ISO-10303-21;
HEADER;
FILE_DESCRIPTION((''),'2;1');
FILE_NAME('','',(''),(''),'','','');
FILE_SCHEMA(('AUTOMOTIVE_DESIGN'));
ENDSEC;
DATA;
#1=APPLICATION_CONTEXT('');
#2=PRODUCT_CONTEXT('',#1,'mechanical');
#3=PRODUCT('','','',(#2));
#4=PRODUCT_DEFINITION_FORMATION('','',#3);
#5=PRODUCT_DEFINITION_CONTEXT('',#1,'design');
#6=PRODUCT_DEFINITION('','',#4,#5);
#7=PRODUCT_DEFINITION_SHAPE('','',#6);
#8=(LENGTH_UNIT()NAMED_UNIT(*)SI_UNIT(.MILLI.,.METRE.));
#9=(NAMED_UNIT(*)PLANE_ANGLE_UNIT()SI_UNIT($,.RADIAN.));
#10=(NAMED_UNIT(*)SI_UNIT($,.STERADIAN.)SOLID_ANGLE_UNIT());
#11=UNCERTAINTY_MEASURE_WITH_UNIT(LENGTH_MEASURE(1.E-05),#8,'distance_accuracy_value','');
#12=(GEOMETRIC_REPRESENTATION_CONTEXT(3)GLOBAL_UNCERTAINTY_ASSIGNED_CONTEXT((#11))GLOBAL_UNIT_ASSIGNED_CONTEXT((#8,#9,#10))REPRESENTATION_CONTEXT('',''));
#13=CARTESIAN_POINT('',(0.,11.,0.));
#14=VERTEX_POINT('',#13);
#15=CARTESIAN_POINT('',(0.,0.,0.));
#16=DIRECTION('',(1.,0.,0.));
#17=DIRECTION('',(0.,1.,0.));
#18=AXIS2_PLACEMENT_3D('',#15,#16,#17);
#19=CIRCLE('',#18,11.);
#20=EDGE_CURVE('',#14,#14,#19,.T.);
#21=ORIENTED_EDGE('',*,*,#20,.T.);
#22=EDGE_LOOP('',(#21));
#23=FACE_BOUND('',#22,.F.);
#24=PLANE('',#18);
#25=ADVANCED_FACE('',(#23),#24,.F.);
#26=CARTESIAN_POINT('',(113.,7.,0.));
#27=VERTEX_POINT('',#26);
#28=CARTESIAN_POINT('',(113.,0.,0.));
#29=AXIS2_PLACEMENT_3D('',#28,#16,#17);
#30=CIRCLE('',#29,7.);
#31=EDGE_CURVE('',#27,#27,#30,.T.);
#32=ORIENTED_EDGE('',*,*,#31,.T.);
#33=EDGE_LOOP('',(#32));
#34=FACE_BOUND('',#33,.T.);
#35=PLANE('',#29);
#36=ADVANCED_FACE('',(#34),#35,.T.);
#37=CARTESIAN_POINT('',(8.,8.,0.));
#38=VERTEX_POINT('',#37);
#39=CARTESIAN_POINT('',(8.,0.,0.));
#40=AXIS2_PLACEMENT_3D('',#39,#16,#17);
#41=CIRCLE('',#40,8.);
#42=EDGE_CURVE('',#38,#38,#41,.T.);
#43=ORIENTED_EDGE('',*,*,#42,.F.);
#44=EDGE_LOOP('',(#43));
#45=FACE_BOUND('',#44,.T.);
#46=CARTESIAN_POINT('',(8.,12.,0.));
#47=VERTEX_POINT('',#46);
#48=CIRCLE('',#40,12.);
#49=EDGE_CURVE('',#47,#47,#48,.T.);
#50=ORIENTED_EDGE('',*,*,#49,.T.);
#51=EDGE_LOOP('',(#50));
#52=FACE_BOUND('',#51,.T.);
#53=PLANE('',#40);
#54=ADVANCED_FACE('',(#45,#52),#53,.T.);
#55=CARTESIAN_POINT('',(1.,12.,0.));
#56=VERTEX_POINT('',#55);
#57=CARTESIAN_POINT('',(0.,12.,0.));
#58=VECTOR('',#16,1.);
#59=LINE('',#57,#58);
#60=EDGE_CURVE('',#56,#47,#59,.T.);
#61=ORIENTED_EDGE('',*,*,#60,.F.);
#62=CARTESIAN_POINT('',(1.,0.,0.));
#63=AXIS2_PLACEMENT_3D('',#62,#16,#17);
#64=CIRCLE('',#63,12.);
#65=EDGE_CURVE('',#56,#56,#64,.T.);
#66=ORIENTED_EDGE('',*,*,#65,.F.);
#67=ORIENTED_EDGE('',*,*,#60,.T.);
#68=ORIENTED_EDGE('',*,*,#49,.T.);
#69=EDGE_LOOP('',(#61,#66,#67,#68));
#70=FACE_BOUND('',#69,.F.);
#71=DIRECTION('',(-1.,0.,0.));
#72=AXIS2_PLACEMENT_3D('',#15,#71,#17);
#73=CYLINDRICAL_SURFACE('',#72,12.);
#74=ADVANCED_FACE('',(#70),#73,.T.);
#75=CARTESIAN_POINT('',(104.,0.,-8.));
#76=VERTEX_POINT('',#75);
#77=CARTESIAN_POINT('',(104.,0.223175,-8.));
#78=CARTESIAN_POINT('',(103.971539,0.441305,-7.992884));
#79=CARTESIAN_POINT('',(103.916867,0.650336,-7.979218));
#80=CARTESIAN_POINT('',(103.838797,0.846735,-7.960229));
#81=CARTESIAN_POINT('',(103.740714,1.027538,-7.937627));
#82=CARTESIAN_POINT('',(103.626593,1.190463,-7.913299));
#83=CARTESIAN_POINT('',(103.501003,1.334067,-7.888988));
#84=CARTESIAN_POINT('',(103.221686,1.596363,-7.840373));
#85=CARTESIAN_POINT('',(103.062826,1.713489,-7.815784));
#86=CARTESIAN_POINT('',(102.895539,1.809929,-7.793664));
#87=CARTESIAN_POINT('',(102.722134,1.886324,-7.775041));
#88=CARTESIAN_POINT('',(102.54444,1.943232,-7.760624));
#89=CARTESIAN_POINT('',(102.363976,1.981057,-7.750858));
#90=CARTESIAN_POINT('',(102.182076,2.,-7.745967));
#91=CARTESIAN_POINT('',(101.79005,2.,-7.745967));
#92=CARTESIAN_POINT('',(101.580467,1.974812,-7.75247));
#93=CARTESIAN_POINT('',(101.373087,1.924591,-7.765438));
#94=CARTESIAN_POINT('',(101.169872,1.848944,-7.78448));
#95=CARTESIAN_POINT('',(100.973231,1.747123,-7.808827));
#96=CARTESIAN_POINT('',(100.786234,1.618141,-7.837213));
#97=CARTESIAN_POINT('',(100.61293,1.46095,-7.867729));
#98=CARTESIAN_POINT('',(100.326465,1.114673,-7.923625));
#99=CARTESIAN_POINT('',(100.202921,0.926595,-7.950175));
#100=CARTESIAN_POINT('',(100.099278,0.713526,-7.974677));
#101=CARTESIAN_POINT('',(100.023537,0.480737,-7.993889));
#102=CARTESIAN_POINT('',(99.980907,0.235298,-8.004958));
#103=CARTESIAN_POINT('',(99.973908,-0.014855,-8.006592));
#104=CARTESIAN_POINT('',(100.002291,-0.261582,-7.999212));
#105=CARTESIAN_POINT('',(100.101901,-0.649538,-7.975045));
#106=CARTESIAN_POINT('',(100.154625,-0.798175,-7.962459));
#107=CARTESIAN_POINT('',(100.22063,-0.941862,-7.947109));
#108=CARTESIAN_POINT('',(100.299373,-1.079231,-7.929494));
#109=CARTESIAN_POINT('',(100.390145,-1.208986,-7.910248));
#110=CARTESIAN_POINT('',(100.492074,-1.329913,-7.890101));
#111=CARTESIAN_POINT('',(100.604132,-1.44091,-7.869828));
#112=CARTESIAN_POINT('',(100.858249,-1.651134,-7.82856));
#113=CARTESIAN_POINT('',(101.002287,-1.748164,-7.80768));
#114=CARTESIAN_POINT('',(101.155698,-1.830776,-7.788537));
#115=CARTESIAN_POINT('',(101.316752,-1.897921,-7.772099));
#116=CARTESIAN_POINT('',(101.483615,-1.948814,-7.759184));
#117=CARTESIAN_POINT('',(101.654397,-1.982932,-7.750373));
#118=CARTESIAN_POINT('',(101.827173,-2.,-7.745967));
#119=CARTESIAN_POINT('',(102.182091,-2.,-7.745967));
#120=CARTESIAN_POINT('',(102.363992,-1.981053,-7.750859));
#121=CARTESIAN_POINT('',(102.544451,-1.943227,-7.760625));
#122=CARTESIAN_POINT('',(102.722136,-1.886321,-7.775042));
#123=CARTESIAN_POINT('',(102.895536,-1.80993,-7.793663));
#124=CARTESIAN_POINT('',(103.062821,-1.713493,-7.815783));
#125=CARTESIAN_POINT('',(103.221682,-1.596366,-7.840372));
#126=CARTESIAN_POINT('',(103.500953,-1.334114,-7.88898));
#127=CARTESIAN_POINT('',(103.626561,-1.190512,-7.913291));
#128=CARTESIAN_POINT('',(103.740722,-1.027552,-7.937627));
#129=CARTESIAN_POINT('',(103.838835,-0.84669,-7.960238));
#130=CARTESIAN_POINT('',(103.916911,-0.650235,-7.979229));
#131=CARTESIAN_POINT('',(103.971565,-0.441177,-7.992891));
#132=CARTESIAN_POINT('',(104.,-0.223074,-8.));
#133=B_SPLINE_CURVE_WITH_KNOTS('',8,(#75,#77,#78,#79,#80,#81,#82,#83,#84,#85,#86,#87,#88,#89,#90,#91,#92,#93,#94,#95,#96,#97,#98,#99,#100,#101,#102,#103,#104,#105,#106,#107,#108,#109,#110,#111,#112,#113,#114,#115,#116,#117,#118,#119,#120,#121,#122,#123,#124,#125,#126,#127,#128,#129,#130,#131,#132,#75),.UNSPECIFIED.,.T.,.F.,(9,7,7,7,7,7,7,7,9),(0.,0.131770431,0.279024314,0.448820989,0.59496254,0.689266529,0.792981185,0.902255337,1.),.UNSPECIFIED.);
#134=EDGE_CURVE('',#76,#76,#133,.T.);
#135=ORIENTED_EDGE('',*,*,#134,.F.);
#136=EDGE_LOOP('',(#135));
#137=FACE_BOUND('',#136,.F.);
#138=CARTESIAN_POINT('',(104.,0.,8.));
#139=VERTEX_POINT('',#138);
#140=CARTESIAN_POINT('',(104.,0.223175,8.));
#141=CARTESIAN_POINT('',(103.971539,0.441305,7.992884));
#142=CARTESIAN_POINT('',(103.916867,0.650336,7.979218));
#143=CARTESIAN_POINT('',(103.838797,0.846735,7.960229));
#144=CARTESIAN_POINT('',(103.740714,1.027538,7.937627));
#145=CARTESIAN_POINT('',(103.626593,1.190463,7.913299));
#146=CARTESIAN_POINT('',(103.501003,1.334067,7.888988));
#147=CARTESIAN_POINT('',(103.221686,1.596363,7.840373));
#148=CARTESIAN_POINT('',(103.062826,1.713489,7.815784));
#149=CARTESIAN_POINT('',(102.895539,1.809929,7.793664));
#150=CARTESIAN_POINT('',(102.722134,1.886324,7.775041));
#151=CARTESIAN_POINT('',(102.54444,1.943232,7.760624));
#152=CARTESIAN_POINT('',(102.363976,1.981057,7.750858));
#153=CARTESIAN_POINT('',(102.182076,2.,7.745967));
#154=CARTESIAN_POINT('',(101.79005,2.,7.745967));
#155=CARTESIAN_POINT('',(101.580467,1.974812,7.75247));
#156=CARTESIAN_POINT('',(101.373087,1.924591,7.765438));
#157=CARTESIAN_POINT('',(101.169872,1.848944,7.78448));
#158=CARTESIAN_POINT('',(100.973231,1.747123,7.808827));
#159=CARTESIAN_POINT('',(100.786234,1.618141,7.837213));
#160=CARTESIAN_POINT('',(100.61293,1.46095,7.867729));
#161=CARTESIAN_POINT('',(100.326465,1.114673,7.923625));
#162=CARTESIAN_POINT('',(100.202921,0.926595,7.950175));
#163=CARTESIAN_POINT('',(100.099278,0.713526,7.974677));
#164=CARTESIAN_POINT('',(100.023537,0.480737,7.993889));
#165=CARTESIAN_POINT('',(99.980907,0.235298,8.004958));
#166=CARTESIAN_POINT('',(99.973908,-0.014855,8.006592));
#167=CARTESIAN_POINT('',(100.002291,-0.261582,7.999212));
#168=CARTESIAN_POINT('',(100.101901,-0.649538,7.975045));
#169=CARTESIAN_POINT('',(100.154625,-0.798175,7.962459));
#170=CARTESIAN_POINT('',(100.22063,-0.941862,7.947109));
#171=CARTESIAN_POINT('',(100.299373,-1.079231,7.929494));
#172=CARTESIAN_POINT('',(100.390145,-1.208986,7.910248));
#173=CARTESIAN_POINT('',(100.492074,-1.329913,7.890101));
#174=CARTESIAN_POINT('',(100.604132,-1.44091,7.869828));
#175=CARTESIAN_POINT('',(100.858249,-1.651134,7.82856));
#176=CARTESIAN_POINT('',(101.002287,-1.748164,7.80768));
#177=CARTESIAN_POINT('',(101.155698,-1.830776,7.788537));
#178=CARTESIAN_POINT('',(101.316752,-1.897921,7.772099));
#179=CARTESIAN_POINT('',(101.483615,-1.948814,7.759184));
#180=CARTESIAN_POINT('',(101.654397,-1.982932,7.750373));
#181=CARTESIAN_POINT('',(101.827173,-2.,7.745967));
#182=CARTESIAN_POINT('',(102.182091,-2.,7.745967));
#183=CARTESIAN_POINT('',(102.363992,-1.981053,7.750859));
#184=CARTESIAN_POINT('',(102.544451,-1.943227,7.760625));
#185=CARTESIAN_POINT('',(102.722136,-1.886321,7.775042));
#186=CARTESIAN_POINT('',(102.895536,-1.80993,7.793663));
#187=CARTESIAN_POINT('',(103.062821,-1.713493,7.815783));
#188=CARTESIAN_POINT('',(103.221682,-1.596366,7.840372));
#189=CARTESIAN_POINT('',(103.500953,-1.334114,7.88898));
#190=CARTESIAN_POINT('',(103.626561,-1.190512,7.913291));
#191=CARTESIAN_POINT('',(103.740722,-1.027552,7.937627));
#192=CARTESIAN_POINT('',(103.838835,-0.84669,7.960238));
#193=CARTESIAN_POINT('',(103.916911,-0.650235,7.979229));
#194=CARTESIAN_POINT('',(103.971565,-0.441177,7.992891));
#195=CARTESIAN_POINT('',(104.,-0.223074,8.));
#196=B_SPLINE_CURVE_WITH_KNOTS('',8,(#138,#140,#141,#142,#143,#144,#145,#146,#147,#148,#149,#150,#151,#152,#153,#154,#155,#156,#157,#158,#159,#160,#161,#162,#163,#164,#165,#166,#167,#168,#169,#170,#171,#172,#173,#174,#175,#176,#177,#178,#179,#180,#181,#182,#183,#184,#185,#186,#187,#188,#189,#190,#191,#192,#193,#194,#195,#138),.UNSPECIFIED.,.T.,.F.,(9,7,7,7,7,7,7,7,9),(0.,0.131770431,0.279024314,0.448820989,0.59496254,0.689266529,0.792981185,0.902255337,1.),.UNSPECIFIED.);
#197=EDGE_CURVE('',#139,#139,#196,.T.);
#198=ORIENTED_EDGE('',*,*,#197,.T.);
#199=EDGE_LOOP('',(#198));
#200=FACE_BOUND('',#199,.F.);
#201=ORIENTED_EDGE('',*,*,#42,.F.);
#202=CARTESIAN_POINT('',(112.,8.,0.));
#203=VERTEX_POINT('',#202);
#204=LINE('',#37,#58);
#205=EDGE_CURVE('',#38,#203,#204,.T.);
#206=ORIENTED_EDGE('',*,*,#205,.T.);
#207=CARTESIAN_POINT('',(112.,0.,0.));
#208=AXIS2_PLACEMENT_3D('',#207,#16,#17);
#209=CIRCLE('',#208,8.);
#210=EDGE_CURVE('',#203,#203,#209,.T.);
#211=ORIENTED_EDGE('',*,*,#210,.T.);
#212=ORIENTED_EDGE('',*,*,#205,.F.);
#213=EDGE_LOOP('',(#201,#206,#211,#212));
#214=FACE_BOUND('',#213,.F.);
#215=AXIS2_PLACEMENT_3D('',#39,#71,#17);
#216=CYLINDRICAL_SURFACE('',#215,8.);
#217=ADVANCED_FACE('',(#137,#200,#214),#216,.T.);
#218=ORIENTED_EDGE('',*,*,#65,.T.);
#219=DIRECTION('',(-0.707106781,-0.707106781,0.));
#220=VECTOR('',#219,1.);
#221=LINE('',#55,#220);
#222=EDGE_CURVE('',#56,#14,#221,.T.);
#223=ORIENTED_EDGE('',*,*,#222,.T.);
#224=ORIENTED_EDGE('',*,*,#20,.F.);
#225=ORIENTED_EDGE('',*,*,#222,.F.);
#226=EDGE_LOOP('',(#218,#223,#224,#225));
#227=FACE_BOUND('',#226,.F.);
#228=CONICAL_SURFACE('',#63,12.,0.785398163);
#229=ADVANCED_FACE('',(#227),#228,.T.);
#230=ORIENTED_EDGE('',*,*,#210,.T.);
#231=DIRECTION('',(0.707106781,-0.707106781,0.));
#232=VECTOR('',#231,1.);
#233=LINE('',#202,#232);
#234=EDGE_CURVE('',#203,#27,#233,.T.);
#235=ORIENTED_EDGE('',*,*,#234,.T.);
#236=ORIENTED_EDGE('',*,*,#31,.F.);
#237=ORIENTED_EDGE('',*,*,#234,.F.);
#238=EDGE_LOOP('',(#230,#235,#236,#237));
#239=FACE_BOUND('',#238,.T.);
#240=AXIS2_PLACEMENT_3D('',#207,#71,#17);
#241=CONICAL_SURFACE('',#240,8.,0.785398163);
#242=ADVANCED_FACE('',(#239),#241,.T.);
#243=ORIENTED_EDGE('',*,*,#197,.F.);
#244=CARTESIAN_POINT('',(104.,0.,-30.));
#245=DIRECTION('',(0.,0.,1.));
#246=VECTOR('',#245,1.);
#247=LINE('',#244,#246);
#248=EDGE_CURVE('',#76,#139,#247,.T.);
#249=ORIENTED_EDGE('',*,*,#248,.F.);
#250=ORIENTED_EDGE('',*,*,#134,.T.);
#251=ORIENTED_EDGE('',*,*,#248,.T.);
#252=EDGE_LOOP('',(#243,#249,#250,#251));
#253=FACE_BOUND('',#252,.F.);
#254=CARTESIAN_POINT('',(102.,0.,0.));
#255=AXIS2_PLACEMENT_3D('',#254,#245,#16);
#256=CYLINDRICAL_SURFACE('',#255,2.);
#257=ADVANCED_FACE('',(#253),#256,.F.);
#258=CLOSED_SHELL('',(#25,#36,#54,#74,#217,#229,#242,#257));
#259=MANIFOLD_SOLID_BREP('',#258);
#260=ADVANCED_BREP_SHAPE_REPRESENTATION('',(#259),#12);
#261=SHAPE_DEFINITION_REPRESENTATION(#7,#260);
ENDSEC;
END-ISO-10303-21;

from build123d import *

# Parameters (mm, degrees)
F0_R     = 12
F1_DEPTH = 8
F2_SIZE  = 1
F3_R     = 8
F4_DEPTH = 105
F5_SIZE  = 1
F6_R     = 2
F7_DEPTH = 30


with BuildPart() as f1:
    # F0 (on Right) → F1 (new body)
    with BuildSketch(Plane.YZ):
        Circle(F0_R)
    extrude(amount=F1_DEPTH)

    # F2
    f2_edges = [f1.edges().sort_by_distance(p)[0] for p in [
        (0, -12, 0),
    ]]
    chamfer(f2_edges, length=F2_SIZE)

    # F3 (on face) → F4 (join)
    with BuildSketch(Plane.YZ.offset(8)):
        Circle(F3_R)
    extrude(amount=F4_DEPTH)

    # F5
    f5_edges = [f1.edges().sort_by_distance(p)[0] for p in [
        (113, -8, 0),
    ]]
    chamfer(f5_edges, length=F5_SIZE)

    # F6 (on Top) → F7 (cut, symmetric)
    with BuildSketch(Plane.XY):
        with Locations((102, 0)):
            Circle(F6_R)
    extrude(amount=F7_DEPTH, both=True, mode=Mode.SUBTRACT)


solid = f1.part
